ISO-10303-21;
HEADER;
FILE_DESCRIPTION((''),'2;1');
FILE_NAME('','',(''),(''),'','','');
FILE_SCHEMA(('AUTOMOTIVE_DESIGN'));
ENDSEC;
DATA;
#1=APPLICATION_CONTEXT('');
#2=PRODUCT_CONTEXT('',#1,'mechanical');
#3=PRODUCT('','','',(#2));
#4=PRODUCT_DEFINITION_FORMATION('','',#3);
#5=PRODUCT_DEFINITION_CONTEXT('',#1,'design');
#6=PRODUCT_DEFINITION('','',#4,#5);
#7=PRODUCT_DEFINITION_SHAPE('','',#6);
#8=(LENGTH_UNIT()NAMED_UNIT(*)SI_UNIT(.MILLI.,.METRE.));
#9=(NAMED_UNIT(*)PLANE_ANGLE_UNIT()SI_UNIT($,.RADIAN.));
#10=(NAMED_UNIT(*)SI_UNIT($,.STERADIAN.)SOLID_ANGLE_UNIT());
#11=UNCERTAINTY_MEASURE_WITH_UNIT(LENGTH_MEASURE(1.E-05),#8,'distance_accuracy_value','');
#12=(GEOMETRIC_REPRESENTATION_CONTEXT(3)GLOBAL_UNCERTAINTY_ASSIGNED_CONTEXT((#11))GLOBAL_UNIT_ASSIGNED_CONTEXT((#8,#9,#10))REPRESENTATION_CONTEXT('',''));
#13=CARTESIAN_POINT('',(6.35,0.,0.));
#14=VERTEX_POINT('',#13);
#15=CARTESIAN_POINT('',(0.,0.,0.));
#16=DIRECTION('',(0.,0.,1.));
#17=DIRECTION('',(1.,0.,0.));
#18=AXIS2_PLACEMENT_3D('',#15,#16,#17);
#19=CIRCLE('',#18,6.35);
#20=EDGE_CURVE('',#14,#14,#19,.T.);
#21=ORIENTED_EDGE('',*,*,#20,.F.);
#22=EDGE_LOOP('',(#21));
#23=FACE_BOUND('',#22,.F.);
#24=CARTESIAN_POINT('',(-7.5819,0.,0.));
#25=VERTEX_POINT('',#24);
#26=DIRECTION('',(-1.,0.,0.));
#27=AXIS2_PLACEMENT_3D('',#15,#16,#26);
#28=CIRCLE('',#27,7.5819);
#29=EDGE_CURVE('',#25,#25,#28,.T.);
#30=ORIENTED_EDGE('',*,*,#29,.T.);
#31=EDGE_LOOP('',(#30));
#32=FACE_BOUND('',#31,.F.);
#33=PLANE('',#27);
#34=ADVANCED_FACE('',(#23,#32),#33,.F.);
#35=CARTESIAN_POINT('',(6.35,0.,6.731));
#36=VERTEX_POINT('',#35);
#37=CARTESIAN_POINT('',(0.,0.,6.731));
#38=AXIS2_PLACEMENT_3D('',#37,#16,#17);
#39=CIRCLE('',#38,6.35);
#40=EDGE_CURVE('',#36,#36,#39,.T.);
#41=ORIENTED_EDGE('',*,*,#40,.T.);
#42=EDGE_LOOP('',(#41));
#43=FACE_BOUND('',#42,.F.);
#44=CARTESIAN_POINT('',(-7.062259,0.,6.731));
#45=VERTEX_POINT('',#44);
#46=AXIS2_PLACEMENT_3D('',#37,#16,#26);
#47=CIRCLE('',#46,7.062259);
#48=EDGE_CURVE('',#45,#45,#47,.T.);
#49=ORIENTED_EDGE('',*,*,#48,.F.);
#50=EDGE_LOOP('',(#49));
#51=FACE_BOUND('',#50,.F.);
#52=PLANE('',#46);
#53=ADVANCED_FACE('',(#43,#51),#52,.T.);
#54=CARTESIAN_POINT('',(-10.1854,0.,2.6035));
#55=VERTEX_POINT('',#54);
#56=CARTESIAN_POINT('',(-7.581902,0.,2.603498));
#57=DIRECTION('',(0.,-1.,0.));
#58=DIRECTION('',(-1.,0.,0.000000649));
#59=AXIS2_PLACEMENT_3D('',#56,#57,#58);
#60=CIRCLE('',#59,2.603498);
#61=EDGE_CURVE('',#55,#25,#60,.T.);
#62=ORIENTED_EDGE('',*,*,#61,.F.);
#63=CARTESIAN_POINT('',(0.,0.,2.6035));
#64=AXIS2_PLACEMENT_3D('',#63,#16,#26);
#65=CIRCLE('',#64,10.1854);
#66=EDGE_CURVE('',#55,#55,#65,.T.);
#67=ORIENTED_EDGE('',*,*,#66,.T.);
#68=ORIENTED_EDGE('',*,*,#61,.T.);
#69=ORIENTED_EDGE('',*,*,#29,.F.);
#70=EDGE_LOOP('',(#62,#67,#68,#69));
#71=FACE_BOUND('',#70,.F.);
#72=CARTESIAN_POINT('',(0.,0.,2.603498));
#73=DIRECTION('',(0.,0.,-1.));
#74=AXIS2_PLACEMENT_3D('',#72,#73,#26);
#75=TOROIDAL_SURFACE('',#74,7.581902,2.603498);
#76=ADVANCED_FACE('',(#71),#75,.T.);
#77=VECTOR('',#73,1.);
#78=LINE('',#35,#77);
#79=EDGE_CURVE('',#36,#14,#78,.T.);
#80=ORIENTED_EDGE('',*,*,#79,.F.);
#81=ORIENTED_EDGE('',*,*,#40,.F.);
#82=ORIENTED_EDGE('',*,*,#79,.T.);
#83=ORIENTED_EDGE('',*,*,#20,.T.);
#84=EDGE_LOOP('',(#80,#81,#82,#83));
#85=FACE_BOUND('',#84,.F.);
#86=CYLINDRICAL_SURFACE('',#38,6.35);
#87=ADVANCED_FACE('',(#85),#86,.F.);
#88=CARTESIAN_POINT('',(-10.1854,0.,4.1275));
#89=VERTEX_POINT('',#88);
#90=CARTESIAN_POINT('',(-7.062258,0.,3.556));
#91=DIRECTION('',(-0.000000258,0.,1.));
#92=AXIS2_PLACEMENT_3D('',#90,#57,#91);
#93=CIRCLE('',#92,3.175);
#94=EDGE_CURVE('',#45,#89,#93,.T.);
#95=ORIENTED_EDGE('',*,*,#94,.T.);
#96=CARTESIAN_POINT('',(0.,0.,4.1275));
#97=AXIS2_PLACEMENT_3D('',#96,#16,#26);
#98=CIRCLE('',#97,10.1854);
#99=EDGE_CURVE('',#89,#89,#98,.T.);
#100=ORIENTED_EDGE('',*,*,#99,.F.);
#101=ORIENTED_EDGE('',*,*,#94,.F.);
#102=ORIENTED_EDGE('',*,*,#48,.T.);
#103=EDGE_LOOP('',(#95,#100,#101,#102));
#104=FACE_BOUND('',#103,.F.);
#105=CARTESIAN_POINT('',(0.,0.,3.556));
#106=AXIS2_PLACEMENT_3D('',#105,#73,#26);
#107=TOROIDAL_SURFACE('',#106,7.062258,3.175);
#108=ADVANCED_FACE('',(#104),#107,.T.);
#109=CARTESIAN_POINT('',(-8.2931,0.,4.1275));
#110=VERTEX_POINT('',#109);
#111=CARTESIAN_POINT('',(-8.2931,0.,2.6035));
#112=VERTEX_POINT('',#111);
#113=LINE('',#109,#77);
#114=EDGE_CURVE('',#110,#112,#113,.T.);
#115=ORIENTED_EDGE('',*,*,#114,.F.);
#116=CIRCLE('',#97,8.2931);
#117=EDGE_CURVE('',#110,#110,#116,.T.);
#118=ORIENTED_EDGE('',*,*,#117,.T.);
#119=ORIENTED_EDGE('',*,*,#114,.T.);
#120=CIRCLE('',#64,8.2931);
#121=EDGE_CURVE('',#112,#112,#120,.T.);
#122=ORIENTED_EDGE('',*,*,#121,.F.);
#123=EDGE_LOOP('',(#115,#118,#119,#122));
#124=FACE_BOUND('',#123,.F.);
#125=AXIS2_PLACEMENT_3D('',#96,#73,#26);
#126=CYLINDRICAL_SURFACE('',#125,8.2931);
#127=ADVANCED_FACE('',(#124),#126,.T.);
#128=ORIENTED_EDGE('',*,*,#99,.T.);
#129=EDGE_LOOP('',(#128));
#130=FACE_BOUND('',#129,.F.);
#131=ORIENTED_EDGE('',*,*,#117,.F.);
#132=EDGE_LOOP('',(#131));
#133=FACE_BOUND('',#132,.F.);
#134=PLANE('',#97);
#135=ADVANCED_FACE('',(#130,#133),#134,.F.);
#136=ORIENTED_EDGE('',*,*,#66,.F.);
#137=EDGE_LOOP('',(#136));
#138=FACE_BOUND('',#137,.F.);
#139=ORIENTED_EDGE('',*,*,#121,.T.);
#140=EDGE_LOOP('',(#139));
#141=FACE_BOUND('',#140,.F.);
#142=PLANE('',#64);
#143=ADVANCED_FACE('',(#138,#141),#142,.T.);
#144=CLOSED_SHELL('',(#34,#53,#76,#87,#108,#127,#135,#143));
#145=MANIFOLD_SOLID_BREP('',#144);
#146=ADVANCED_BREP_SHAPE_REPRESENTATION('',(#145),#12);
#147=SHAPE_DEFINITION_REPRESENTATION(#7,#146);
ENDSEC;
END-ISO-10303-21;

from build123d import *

# Parameters (mm, degrees)
F2_R     = 6.35
F3_DEPTH = 6.732


with BuildPart() as f1:
    # F0 (on Front) → F1 (revolve)
    with BuildSketch(Plane.XZ):
        with BuildLine():
            Line((-7.5819, 0), (0, 0))
            Line((0, 0), (0, 6.731))
            Line((0, 6.731), (-7.062259, 6.731))
            ThreePointArc((-7.062259, 6.731), (-9.09525, 5.994764), (-10.1854, 4.1275))
            Line((-10.1854, 4.1275), (-8.2931, 4.1275))
            Line((-8.2931, 4.1275), (-8.2931, 2.6035))
            Line((-8.2931, 2.6035), (-10.1854, 2.6035))
            ThreePointArc((-10.1854, 2.6035), (-9.422853, 0.762547), (-7.5819, 0))
        make_face()
    revolve(axis=Axis((0, 0, 3.3655), (0, 0, 1)))

    # F2 (on face) → F3 (cut, through all)
    with BuildSketch(Plane.XY.offset(6.731)):
        Circle(F2_R)
    extrude(amount=-F3_DEPTH, mode=Mode.SUBTRACT)


solid = f1.part
